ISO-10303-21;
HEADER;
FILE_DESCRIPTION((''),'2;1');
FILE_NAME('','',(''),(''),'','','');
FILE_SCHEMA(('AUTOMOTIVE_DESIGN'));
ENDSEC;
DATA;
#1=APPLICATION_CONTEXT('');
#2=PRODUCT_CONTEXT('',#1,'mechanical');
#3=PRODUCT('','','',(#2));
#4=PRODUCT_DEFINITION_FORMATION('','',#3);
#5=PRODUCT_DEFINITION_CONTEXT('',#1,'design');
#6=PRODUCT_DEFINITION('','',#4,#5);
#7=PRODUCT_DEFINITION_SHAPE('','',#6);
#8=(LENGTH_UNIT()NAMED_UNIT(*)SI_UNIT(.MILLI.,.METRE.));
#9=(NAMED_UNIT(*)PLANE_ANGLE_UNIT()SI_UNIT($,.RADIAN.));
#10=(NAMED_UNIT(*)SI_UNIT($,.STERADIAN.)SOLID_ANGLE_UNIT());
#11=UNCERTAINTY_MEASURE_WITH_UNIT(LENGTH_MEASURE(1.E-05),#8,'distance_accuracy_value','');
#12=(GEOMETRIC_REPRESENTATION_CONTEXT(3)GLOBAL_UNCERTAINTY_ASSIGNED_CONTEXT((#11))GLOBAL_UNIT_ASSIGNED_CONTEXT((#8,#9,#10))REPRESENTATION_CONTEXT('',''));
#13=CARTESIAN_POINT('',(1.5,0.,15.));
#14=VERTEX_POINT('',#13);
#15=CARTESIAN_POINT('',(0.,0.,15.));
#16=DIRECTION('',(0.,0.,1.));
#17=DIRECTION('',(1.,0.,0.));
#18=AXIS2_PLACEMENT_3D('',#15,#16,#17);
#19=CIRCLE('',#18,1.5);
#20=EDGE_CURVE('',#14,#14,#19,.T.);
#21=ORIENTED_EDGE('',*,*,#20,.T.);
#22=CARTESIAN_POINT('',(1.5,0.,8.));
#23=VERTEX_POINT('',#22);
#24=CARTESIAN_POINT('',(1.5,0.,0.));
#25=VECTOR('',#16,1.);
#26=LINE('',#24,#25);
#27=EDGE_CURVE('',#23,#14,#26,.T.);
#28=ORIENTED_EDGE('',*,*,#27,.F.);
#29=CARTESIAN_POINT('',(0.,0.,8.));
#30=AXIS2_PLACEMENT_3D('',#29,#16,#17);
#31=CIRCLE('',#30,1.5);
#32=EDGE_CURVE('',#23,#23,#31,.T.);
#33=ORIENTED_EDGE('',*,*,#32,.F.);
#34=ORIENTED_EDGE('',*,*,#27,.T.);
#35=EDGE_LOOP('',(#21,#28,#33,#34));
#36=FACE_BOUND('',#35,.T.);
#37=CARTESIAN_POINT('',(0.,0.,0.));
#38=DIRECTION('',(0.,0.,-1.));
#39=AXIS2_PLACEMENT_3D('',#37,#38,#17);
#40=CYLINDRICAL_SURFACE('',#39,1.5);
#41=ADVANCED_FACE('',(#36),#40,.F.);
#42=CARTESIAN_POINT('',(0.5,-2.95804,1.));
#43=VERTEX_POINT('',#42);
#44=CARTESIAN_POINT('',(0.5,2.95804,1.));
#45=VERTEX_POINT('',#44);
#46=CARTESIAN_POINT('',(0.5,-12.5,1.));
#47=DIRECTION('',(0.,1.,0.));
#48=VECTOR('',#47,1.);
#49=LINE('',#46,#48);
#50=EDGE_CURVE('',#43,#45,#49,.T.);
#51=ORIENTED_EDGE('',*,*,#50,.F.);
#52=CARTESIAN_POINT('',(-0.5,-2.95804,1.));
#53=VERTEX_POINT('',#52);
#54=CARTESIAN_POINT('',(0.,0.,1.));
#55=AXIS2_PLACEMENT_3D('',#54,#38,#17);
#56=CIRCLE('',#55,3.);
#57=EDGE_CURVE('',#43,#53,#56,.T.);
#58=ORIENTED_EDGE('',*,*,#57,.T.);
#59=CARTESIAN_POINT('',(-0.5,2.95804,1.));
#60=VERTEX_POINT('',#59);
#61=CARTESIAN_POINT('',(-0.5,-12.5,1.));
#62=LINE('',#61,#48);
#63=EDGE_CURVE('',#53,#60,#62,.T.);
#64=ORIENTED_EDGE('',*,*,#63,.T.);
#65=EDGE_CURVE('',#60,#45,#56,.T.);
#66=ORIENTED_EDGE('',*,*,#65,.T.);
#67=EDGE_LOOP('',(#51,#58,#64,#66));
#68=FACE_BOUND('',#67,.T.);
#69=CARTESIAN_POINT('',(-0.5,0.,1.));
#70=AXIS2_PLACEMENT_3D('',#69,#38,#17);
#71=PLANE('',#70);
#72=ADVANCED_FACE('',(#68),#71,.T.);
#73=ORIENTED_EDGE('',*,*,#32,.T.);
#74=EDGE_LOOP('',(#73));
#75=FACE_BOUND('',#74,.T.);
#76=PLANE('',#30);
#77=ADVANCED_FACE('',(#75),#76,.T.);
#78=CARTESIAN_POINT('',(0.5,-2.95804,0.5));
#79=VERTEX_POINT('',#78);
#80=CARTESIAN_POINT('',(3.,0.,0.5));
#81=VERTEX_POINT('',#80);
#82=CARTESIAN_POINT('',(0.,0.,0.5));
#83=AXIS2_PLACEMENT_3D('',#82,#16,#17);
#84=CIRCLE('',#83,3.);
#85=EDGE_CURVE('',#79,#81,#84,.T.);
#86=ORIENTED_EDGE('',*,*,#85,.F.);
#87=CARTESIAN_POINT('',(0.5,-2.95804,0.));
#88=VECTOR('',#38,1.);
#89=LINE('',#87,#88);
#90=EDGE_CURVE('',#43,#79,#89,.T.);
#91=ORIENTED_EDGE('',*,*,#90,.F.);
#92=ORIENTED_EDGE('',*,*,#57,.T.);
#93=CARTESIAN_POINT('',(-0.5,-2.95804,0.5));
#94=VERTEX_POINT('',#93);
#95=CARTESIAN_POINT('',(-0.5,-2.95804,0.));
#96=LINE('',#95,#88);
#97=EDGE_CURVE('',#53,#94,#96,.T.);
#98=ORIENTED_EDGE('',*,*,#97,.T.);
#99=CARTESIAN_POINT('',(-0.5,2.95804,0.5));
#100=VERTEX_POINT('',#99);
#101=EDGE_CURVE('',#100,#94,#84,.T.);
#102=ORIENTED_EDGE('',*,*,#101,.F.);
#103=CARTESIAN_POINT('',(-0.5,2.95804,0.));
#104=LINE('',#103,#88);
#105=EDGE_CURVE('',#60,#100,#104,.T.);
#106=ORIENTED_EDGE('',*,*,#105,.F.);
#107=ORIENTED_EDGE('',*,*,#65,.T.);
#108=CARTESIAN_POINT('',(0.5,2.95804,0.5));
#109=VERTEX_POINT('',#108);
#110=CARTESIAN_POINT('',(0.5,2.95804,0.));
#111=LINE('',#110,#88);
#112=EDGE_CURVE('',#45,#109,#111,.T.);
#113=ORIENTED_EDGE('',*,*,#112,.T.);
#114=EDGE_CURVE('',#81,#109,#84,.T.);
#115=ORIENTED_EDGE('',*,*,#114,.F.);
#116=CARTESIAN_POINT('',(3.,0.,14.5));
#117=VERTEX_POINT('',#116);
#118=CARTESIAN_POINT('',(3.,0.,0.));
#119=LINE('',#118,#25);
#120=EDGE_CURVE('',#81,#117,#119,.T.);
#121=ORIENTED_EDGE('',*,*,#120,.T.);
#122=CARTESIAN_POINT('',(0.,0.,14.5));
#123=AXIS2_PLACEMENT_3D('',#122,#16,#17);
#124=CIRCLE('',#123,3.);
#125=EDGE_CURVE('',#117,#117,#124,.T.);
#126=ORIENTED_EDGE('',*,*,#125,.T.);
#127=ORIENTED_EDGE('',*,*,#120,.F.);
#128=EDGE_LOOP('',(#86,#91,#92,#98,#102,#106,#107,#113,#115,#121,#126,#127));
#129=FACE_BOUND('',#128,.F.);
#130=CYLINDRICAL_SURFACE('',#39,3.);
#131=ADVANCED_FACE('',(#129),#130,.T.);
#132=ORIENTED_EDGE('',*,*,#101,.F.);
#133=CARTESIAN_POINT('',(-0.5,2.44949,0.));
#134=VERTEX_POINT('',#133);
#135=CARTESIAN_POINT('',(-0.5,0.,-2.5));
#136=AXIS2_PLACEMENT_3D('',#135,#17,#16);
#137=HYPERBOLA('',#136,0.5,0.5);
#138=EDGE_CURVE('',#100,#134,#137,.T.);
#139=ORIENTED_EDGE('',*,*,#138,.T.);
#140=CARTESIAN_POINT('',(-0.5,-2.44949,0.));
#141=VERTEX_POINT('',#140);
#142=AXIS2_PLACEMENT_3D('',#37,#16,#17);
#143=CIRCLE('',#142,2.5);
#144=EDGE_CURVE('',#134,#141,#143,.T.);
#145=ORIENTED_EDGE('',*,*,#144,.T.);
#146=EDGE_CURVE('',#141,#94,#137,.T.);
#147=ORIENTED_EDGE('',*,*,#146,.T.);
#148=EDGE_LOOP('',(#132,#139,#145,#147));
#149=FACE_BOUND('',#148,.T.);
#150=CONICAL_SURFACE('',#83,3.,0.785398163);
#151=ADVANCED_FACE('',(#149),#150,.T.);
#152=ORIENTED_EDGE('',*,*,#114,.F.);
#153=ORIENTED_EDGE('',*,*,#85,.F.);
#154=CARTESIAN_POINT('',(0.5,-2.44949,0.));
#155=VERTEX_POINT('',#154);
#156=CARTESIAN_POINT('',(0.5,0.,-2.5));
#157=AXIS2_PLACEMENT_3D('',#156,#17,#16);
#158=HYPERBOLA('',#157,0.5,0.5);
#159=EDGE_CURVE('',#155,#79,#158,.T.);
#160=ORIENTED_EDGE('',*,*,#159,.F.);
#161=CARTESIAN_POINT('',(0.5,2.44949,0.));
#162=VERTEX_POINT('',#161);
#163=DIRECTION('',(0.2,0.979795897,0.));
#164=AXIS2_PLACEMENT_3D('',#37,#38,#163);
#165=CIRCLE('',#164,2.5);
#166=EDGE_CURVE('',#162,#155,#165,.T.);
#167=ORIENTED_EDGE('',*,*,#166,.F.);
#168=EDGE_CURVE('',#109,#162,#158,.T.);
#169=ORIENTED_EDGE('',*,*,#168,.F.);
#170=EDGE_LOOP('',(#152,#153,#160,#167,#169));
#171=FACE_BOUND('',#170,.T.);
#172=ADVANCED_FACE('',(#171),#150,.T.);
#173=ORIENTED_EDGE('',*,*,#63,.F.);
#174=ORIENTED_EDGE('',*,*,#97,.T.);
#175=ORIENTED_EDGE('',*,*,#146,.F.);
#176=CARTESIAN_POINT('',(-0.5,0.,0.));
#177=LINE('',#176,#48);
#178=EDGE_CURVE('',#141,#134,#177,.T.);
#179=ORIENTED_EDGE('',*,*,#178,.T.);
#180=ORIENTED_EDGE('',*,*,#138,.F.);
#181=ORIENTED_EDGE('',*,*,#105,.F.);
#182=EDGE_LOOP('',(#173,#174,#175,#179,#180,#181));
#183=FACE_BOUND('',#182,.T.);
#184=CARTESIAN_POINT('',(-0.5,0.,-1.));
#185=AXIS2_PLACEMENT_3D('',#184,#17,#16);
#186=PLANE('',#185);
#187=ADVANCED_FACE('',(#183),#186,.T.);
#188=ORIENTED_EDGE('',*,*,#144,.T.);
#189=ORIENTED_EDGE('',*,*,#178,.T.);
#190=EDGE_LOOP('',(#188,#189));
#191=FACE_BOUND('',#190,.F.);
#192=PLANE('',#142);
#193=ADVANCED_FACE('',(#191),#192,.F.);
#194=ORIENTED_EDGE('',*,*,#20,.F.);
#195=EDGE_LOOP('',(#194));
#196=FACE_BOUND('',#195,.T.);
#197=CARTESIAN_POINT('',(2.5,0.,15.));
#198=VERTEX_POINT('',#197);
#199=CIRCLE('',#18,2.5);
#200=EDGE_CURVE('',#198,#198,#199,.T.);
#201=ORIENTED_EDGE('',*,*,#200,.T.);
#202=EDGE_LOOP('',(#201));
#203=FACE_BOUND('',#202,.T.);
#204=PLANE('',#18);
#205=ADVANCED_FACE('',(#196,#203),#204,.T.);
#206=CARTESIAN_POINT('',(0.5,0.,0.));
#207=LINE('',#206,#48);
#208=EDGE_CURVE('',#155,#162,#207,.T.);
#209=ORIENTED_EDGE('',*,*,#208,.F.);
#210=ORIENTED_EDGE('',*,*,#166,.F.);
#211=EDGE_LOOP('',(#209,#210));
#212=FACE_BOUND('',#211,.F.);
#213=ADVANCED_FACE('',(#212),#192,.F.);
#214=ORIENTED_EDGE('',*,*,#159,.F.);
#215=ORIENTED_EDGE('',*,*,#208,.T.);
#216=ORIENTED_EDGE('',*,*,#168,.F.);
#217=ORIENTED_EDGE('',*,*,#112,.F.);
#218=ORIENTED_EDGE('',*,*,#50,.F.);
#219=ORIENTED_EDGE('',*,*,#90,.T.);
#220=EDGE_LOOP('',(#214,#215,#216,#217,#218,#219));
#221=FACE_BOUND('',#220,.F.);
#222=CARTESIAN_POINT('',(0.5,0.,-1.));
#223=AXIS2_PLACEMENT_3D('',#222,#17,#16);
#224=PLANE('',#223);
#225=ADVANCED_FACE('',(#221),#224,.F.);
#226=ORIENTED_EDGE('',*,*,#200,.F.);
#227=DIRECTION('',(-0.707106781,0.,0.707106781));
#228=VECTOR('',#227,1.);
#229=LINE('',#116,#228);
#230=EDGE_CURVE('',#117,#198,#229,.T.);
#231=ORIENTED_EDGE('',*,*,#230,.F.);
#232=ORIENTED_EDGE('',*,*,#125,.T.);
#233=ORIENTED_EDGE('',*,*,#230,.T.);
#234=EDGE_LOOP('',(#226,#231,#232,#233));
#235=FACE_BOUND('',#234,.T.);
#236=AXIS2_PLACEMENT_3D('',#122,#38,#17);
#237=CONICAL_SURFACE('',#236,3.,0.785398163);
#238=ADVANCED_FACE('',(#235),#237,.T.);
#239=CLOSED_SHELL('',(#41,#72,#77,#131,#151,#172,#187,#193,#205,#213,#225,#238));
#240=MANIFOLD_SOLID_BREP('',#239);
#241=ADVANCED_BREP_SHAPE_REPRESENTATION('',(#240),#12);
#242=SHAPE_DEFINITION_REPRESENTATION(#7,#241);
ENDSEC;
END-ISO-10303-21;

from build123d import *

# Parameters (mm, degrees)
F0_R     = 3
F0_R_2   = 1.5
F1_DEPTH = 15
F2_DEPTH = 8
F3_SIZE  = 0.5
F4_W     = 1
F4_H     = 2
F5_DEPTH = 12.5


with BuildPart() as f1:
    # F0 (on Top) → F1 (new body)
    with BuildSketch(Plane.XY):
        Circle(F0_R)
        Circle(F0_R_2, mode=Mode.SUBTRACT)
    extrude(amount=F1_DEPTH)

    # F0 (on Top) → F2 (join)
    with BuildSketch(Plane.XY):
        Circle(F0_R_2)
    extrude(amount=F2_DEPTH)

    # F3
    f3_edges = [f1.edges().sort_by_distance(p)[0] for p in [
        (-3, 0, 0),
        (-3, 0, 15),
    ]]
    chamfer(f3_edges, length=F3_SIZE)

    # F4 (on Front) → F5 (cut, symmetric)
    with BuildSketch(Plane.XZ):
        Rectangle(F4_W, F4_H)
    extrude(amount=F5_DEPTH, both=True, mode=Mode.SUBTRACT)


solid = f1.part
